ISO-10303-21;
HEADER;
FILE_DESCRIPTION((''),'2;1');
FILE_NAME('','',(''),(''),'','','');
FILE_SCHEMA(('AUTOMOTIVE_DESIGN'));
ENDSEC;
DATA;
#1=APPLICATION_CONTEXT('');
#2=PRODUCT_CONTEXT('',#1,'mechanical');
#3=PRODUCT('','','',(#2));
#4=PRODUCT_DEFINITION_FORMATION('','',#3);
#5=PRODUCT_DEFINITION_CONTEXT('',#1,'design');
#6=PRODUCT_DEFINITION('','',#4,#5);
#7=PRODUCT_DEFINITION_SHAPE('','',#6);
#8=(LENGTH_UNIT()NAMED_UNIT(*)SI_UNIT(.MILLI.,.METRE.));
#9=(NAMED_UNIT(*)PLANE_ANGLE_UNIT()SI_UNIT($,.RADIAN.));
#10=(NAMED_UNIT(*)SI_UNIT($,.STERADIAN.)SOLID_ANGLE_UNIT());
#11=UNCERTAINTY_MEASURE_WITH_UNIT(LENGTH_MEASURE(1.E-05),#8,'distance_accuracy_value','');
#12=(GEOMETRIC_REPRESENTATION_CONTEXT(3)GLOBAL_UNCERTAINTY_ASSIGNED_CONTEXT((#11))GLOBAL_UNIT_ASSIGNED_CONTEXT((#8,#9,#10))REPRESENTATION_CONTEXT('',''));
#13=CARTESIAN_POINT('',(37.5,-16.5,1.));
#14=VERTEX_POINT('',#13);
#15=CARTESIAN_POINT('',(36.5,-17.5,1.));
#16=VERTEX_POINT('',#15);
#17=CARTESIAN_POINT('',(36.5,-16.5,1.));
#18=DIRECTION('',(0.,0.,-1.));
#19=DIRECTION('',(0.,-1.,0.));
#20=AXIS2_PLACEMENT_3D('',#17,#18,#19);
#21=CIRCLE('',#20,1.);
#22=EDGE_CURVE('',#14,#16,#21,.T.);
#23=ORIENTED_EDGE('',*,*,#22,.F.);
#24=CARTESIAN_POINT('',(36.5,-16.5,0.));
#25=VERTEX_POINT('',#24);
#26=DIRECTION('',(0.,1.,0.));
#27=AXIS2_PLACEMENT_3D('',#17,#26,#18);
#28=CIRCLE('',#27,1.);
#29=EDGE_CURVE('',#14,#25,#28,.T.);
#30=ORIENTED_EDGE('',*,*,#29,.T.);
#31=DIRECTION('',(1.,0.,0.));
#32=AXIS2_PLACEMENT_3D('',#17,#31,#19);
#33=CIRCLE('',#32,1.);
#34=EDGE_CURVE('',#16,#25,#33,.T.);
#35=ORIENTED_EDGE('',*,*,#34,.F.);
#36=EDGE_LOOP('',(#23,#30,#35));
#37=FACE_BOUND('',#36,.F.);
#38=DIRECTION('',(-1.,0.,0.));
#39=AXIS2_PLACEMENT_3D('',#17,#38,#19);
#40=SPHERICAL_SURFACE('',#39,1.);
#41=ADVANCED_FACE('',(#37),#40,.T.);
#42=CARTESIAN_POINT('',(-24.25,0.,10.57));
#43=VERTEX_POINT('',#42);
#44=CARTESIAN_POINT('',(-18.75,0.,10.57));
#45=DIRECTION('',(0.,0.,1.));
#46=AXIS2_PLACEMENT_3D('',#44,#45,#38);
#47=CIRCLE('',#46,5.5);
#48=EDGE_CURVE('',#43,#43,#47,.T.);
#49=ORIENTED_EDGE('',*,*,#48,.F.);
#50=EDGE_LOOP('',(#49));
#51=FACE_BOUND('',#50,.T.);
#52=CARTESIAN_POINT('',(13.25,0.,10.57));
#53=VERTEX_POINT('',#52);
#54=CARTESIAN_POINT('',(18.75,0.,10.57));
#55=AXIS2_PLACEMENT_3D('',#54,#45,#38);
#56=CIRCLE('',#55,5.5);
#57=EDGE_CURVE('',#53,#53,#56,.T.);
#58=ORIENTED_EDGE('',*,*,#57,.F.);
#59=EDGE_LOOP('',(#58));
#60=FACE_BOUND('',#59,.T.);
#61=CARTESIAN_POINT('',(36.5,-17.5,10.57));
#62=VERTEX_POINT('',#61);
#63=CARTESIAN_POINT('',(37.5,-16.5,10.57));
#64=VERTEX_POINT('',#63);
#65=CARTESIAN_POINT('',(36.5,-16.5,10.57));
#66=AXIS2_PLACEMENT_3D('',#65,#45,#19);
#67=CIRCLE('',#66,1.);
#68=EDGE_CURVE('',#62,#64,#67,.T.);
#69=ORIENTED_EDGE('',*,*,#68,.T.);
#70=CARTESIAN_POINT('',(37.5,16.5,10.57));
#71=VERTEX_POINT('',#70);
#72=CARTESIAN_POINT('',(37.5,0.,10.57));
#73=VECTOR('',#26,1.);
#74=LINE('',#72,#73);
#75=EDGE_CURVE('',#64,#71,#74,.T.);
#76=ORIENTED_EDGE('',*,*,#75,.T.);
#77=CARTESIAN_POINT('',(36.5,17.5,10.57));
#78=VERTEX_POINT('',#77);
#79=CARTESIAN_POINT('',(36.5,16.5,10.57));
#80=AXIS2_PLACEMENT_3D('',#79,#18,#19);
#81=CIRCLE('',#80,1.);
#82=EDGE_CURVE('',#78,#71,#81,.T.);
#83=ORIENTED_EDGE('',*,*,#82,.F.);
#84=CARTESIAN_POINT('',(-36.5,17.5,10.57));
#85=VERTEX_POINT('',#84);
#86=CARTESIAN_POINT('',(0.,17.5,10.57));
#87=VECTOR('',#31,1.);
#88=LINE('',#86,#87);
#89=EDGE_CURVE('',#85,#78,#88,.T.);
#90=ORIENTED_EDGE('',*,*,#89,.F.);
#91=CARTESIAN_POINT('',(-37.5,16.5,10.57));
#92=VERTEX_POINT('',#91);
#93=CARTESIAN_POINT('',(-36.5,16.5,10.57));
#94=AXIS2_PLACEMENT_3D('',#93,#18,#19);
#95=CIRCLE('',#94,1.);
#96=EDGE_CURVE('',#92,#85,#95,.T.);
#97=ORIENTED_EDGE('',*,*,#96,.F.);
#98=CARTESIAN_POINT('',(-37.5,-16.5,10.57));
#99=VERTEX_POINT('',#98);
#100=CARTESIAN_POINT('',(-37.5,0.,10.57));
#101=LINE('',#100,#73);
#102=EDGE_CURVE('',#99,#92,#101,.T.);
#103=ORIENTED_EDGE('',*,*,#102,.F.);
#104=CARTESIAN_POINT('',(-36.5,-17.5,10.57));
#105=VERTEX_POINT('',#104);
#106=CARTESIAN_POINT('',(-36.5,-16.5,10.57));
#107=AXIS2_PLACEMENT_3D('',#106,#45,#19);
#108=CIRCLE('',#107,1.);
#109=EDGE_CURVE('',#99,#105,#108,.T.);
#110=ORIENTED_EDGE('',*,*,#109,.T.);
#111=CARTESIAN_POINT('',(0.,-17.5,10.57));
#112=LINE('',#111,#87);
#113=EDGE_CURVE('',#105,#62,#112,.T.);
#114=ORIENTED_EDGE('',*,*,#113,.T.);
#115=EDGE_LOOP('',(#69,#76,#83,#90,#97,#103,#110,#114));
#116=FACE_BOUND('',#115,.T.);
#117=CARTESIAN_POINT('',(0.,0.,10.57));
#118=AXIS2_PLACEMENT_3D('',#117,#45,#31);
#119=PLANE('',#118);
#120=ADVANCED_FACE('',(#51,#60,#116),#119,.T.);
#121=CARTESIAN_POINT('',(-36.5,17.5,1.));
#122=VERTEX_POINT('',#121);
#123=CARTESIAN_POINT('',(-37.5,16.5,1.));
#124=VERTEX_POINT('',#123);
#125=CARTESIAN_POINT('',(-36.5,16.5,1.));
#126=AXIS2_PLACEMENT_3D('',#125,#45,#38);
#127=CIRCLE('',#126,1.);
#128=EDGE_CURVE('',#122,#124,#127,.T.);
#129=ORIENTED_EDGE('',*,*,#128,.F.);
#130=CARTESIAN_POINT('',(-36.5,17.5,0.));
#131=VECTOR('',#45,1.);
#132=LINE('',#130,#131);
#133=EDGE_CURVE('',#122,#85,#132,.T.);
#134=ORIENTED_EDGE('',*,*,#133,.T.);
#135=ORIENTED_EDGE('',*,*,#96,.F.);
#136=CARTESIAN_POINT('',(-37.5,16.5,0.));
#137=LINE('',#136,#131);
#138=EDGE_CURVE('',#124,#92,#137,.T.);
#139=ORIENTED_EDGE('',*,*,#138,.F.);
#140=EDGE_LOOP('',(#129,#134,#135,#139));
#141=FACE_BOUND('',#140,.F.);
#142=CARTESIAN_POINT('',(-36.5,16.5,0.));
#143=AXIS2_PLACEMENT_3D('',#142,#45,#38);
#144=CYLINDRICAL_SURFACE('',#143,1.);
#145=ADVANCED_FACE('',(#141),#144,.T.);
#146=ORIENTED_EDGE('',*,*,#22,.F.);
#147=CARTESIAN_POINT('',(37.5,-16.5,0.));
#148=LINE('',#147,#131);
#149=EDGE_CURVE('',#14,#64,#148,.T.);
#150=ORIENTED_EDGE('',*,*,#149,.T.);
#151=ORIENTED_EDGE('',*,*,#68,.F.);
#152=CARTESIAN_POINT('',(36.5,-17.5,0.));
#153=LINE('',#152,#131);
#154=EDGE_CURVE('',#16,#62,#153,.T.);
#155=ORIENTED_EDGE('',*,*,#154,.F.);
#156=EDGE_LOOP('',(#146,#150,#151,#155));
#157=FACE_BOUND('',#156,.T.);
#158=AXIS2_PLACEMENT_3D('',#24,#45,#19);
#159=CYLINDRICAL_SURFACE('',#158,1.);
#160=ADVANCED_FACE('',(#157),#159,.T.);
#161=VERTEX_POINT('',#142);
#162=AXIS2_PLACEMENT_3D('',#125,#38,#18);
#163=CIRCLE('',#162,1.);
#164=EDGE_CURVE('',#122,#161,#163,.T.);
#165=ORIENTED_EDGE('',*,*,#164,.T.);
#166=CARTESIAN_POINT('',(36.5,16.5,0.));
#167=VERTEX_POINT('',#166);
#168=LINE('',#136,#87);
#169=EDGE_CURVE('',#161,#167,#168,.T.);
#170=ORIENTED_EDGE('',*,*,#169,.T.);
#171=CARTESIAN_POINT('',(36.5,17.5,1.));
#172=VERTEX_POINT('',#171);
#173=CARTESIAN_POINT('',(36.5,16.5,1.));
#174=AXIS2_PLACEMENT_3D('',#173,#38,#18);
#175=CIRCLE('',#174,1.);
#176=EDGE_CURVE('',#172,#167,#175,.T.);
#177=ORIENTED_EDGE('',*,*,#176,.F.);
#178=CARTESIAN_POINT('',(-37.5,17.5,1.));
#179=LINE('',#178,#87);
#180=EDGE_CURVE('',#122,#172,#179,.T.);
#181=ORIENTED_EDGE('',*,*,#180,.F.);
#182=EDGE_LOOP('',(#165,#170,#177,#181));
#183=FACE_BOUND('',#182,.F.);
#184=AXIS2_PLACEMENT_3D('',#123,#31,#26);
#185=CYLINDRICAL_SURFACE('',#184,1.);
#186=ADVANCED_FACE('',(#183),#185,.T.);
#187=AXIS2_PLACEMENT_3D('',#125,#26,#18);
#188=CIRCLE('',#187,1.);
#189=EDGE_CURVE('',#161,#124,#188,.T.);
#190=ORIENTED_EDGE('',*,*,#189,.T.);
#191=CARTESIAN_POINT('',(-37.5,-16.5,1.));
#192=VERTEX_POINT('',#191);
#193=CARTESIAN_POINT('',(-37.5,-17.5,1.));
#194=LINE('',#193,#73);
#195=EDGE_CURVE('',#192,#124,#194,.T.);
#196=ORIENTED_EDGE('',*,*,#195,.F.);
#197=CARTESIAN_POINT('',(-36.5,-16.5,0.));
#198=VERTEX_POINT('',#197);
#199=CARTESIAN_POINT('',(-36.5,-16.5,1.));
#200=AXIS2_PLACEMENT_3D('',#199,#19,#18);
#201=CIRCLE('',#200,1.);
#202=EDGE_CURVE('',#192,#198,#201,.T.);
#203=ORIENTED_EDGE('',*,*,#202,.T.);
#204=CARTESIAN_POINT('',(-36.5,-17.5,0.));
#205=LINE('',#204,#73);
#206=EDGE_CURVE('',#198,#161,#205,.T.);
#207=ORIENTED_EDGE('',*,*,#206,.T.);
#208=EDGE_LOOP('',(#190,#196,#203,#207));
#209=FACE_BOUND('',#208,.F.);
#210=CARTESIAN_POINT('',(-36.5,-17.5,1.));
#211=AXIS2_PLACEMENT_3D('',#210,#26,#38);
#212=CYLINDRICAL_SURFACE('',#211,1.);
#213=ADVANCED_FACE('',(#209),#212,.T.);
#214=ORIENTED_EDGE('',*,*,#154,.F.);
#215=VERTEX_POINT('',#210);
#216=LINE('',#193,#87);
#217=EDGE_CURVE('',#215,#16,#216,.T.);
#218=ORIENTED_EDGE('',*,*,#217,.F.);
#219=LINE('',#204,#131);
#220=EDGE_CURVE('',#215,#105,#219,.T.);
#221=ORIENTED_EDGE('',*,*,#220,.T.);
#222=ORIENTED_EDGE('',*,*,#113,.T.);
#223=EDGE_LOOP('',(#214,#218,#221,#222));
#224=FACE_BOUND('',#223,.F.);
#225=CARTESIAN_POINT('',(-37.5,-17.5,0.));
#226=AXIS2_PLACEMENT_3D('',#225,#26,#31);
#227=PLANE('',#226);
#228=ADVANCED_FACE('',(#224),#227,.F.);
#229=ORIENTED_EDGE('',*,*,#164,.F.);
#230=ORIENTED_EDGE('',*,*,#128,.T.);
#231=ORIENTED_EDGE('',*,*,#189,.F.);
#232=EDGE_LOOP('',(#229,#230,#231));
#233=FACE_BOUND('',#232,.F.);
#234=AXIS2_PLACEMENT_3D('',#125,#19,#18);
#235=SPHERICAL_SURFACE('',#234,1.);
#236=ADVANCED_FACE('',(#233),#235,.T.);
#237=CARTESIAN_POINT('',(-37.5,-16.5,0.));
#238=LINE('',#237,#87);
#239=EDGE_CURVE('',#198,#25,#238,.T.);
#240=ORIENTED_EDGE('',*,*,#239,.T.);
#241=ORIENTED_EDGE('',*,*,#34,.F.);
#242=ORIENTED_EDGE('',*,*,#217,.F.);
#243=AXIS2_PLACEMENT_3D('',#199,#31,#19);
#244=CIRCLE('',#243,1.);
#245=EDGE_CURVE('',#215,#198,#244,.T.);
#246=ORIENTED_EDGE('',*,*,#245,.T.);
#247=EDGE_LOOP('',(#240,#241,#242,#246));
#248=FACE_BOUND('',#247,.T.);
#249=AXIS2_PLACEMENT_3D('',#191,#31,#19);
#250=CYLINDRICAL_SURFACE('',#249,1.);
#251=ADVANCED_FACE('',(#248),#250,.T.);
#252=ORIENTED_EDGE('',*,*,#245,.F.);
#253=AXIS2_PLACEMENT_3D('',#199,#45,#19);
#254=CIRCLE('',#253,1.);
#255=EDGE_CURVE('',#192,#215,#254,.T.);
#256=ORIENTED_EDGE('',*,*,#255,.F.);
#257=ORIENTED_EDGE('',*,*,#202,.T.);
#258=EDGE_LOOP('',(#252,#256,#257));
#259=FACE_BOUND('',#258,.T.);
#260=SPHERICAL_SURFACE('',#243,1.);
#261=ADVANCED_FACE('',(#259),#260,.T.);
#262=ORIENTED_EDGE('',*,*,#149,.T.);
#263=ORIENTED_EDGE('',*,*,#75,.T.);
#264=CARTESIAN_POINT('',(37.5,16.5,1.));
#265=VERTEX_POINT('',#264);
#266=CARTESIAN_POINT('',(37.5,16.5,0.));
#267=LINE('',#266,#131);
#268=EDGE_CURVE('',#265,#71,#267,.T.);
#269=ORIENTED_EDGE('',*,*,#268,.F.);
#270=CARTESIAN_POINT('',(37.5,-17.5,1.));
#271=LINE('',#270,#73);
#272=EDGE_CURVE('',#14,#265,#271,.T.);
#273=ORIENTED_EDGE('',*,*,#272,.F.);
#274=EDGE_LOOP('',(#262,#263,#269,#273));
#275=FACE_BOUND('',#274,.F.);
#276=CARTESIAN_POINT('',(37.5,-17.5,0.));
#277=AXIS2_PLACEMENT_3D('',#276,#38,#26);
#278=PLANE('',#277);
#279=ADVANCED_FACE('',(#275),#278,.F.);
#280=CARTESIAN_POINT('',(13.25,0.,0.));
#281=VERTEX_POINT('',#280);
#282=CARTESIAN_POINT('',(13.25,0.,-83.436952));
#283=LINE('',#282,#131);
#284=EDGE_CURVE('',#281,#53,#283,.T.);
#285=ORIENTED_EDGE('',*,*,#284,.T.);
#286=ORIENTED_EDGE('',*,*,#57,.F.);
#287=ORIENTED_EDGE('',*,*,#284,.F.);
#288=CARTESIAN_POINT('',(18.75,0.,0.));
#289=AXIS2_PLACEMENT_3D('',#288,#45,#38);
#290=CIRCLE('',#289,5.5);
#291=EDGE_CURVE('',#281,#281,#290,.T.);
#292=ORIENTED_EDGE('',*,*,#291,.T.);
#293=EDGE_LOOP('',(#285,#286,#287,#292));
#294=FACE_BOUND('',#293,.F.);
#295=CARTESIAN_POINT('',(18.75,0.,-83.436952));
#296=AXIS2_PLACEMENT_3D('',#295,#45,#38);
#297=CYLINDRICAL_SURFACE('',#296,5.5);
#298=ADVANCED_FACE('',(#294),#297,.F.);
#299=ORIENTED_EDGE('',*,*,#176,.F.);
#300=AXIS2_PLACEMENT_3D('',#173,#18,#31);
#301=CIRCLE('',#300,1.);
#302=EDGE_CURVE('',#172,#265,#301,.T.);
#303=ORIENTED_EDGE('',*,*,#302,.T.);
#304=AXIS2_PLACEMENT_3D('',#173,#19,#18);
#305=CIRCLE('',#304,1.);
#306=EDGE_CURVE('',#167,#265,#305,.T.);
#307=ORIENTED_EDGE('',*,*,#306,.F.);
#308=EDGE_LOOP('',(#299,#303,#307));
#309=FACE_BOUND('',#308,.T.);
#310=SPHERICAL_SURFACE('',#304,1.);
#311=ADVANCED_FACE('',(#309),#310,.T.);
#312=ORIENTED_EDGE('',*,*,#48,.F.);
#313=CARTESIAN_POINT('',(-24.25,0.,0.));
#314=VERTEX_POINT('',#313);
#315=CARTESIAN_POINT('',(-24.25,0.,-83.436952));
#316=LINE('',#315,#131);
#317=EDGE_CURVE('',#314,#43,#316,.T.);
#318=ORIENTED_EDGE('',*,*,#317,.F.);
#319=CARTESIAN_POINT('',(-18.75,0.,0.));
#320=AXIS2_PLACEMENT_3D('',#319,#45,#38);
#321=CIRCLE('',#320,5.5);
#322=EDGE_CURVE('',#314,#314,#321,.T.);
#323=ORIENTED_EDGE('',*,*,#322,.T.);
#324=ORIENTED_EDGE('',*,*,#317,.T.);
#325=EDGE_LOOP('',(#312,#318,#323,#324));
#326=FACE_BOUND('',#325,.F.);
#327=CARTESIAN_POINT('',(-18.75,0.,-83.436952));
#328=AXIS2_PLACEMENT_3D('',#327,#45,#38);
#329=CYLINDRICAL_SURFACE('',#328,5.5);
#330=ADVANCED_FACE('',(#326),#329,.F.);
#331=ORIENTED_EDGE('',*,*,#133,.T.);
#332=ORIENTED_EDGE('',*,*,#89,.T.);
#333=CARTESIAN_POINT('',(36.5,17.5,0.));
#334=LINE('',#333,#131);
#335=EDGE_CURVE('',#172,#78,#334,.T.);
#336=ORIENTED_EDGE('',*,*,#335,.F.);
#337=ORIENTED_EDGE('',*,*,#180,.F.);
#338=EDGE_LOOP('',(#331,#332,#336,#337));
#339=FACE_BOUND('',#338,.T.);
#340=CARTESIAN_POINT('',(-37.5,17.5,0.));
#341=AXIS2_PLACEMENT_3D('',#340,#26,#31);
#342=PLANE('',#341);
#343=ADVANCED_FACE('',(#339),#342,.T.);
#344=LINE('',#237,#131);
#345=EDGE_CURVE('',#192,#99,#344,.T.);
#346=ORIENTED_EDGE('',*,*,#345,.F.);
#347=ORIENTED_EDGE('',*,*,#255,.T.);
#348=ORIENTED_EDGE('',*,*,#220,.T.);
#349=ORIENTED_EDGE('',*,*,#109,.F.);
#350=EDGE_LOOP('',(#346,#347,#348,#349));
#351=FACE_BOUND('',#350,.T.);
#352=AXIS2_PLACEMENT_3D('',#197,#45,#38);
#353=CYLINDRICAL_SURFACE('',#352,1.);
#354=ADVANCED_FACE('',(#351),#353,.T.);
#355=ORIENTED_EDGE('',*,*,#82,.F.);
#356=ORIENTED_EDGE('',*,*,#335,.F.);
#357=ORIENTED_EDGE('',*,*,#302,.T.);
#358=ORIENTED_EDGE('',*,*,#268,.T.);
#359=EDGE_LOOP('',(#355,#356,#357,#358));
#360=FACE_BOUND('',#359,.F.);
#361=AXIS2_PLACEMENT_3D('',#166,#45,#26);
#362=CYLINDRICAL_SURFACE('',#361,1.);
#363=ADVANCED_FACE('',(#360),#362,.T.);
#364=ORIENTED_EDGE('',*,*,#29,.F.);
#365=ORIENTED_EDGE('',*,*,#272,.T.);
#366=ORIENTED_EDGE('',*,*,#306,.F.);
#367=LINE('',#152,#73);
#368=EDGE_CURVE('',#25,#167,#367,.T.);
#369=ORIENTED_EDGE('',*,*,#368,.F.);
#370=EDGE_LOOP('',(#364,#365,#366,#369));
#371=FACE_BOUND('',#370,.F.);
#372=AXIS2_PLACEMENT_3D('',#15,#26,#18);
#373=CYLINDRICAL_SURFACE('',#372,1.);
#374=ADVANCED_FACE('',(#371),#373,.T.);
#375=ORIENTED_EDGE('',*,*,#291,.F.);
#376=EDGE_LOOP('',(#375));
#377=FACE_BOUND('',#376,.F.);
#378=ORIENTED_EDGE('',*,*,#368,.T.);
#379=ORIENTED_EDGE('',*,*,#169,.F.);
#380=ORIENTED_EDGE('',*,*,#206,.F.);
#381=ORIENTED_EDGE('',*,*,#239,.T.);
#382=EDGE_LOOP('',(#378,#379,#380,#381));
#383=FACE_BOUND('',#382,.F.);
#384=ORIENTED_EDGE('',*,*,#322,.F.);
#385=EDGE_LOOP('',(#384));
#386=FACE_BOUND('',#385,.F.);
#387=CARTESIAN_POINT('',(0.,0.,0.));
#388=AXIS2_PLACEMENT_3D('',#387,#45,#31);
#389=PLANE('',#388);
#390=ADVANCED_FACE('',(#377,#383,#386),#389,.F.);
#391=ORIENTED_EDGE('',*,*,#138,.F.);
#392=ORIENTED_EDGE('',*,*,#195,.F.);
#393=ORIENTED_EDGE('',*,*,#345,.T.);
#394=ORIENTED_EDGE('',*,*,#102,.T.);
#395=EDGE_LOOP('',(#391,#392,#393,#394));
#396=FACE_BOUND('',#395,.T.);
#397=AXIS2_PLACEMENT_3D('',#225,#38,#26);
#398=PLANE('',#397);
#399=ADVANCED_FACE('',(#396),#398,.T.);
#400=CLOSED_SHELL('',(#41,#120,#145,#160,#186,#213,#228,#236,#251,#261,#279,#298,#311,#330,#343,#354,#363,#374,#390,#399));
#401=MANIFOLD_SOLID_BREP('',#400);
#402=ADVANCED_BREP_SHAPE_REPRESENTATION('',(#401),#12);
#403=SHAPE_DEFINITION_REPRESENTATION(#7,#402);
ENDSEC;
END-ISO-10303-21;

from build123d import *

# Parameters (mm, degrees)
F0_W     = 75
F0_H     = 35
F1_DEPTH = 10.57
F2_D     = 11
F3_R     = 1


with BuildPart() as f1:
    # F0 (on Top) → F1 (new body)
    with BuildSketch(Plane.XY):
        Rectangle(F0_W, F0_H)
    extrude(amount=F1_DEPTH)

    # F2 (through all)
    with Locations(Plane(origin=(0, 0, 0), x_dir=(1, 0, 0), z_dir=(0, 0, -1))):
        with Locations((-18.75, 0), (18.75, 0)):
            Hole(F2_D / 2)

    # F3
    f3_edges = [f1.edges().sort_by_distance(p)[0] for p in [
        (0, -17.5, 0),
        (-37.5, -17.5, 5.285),
        (37.5, -17.5, 5.285),
        (37.5, 0, 0),
        (-37.5, 0, 0),
        (0, 17.5, 0),
        (-37.5, 17.5, 5.285),
        (37.5, 17.5, 5.285),
    ]]
    fillet(f3_edges, radius=F3_R)


solid = f1.part
